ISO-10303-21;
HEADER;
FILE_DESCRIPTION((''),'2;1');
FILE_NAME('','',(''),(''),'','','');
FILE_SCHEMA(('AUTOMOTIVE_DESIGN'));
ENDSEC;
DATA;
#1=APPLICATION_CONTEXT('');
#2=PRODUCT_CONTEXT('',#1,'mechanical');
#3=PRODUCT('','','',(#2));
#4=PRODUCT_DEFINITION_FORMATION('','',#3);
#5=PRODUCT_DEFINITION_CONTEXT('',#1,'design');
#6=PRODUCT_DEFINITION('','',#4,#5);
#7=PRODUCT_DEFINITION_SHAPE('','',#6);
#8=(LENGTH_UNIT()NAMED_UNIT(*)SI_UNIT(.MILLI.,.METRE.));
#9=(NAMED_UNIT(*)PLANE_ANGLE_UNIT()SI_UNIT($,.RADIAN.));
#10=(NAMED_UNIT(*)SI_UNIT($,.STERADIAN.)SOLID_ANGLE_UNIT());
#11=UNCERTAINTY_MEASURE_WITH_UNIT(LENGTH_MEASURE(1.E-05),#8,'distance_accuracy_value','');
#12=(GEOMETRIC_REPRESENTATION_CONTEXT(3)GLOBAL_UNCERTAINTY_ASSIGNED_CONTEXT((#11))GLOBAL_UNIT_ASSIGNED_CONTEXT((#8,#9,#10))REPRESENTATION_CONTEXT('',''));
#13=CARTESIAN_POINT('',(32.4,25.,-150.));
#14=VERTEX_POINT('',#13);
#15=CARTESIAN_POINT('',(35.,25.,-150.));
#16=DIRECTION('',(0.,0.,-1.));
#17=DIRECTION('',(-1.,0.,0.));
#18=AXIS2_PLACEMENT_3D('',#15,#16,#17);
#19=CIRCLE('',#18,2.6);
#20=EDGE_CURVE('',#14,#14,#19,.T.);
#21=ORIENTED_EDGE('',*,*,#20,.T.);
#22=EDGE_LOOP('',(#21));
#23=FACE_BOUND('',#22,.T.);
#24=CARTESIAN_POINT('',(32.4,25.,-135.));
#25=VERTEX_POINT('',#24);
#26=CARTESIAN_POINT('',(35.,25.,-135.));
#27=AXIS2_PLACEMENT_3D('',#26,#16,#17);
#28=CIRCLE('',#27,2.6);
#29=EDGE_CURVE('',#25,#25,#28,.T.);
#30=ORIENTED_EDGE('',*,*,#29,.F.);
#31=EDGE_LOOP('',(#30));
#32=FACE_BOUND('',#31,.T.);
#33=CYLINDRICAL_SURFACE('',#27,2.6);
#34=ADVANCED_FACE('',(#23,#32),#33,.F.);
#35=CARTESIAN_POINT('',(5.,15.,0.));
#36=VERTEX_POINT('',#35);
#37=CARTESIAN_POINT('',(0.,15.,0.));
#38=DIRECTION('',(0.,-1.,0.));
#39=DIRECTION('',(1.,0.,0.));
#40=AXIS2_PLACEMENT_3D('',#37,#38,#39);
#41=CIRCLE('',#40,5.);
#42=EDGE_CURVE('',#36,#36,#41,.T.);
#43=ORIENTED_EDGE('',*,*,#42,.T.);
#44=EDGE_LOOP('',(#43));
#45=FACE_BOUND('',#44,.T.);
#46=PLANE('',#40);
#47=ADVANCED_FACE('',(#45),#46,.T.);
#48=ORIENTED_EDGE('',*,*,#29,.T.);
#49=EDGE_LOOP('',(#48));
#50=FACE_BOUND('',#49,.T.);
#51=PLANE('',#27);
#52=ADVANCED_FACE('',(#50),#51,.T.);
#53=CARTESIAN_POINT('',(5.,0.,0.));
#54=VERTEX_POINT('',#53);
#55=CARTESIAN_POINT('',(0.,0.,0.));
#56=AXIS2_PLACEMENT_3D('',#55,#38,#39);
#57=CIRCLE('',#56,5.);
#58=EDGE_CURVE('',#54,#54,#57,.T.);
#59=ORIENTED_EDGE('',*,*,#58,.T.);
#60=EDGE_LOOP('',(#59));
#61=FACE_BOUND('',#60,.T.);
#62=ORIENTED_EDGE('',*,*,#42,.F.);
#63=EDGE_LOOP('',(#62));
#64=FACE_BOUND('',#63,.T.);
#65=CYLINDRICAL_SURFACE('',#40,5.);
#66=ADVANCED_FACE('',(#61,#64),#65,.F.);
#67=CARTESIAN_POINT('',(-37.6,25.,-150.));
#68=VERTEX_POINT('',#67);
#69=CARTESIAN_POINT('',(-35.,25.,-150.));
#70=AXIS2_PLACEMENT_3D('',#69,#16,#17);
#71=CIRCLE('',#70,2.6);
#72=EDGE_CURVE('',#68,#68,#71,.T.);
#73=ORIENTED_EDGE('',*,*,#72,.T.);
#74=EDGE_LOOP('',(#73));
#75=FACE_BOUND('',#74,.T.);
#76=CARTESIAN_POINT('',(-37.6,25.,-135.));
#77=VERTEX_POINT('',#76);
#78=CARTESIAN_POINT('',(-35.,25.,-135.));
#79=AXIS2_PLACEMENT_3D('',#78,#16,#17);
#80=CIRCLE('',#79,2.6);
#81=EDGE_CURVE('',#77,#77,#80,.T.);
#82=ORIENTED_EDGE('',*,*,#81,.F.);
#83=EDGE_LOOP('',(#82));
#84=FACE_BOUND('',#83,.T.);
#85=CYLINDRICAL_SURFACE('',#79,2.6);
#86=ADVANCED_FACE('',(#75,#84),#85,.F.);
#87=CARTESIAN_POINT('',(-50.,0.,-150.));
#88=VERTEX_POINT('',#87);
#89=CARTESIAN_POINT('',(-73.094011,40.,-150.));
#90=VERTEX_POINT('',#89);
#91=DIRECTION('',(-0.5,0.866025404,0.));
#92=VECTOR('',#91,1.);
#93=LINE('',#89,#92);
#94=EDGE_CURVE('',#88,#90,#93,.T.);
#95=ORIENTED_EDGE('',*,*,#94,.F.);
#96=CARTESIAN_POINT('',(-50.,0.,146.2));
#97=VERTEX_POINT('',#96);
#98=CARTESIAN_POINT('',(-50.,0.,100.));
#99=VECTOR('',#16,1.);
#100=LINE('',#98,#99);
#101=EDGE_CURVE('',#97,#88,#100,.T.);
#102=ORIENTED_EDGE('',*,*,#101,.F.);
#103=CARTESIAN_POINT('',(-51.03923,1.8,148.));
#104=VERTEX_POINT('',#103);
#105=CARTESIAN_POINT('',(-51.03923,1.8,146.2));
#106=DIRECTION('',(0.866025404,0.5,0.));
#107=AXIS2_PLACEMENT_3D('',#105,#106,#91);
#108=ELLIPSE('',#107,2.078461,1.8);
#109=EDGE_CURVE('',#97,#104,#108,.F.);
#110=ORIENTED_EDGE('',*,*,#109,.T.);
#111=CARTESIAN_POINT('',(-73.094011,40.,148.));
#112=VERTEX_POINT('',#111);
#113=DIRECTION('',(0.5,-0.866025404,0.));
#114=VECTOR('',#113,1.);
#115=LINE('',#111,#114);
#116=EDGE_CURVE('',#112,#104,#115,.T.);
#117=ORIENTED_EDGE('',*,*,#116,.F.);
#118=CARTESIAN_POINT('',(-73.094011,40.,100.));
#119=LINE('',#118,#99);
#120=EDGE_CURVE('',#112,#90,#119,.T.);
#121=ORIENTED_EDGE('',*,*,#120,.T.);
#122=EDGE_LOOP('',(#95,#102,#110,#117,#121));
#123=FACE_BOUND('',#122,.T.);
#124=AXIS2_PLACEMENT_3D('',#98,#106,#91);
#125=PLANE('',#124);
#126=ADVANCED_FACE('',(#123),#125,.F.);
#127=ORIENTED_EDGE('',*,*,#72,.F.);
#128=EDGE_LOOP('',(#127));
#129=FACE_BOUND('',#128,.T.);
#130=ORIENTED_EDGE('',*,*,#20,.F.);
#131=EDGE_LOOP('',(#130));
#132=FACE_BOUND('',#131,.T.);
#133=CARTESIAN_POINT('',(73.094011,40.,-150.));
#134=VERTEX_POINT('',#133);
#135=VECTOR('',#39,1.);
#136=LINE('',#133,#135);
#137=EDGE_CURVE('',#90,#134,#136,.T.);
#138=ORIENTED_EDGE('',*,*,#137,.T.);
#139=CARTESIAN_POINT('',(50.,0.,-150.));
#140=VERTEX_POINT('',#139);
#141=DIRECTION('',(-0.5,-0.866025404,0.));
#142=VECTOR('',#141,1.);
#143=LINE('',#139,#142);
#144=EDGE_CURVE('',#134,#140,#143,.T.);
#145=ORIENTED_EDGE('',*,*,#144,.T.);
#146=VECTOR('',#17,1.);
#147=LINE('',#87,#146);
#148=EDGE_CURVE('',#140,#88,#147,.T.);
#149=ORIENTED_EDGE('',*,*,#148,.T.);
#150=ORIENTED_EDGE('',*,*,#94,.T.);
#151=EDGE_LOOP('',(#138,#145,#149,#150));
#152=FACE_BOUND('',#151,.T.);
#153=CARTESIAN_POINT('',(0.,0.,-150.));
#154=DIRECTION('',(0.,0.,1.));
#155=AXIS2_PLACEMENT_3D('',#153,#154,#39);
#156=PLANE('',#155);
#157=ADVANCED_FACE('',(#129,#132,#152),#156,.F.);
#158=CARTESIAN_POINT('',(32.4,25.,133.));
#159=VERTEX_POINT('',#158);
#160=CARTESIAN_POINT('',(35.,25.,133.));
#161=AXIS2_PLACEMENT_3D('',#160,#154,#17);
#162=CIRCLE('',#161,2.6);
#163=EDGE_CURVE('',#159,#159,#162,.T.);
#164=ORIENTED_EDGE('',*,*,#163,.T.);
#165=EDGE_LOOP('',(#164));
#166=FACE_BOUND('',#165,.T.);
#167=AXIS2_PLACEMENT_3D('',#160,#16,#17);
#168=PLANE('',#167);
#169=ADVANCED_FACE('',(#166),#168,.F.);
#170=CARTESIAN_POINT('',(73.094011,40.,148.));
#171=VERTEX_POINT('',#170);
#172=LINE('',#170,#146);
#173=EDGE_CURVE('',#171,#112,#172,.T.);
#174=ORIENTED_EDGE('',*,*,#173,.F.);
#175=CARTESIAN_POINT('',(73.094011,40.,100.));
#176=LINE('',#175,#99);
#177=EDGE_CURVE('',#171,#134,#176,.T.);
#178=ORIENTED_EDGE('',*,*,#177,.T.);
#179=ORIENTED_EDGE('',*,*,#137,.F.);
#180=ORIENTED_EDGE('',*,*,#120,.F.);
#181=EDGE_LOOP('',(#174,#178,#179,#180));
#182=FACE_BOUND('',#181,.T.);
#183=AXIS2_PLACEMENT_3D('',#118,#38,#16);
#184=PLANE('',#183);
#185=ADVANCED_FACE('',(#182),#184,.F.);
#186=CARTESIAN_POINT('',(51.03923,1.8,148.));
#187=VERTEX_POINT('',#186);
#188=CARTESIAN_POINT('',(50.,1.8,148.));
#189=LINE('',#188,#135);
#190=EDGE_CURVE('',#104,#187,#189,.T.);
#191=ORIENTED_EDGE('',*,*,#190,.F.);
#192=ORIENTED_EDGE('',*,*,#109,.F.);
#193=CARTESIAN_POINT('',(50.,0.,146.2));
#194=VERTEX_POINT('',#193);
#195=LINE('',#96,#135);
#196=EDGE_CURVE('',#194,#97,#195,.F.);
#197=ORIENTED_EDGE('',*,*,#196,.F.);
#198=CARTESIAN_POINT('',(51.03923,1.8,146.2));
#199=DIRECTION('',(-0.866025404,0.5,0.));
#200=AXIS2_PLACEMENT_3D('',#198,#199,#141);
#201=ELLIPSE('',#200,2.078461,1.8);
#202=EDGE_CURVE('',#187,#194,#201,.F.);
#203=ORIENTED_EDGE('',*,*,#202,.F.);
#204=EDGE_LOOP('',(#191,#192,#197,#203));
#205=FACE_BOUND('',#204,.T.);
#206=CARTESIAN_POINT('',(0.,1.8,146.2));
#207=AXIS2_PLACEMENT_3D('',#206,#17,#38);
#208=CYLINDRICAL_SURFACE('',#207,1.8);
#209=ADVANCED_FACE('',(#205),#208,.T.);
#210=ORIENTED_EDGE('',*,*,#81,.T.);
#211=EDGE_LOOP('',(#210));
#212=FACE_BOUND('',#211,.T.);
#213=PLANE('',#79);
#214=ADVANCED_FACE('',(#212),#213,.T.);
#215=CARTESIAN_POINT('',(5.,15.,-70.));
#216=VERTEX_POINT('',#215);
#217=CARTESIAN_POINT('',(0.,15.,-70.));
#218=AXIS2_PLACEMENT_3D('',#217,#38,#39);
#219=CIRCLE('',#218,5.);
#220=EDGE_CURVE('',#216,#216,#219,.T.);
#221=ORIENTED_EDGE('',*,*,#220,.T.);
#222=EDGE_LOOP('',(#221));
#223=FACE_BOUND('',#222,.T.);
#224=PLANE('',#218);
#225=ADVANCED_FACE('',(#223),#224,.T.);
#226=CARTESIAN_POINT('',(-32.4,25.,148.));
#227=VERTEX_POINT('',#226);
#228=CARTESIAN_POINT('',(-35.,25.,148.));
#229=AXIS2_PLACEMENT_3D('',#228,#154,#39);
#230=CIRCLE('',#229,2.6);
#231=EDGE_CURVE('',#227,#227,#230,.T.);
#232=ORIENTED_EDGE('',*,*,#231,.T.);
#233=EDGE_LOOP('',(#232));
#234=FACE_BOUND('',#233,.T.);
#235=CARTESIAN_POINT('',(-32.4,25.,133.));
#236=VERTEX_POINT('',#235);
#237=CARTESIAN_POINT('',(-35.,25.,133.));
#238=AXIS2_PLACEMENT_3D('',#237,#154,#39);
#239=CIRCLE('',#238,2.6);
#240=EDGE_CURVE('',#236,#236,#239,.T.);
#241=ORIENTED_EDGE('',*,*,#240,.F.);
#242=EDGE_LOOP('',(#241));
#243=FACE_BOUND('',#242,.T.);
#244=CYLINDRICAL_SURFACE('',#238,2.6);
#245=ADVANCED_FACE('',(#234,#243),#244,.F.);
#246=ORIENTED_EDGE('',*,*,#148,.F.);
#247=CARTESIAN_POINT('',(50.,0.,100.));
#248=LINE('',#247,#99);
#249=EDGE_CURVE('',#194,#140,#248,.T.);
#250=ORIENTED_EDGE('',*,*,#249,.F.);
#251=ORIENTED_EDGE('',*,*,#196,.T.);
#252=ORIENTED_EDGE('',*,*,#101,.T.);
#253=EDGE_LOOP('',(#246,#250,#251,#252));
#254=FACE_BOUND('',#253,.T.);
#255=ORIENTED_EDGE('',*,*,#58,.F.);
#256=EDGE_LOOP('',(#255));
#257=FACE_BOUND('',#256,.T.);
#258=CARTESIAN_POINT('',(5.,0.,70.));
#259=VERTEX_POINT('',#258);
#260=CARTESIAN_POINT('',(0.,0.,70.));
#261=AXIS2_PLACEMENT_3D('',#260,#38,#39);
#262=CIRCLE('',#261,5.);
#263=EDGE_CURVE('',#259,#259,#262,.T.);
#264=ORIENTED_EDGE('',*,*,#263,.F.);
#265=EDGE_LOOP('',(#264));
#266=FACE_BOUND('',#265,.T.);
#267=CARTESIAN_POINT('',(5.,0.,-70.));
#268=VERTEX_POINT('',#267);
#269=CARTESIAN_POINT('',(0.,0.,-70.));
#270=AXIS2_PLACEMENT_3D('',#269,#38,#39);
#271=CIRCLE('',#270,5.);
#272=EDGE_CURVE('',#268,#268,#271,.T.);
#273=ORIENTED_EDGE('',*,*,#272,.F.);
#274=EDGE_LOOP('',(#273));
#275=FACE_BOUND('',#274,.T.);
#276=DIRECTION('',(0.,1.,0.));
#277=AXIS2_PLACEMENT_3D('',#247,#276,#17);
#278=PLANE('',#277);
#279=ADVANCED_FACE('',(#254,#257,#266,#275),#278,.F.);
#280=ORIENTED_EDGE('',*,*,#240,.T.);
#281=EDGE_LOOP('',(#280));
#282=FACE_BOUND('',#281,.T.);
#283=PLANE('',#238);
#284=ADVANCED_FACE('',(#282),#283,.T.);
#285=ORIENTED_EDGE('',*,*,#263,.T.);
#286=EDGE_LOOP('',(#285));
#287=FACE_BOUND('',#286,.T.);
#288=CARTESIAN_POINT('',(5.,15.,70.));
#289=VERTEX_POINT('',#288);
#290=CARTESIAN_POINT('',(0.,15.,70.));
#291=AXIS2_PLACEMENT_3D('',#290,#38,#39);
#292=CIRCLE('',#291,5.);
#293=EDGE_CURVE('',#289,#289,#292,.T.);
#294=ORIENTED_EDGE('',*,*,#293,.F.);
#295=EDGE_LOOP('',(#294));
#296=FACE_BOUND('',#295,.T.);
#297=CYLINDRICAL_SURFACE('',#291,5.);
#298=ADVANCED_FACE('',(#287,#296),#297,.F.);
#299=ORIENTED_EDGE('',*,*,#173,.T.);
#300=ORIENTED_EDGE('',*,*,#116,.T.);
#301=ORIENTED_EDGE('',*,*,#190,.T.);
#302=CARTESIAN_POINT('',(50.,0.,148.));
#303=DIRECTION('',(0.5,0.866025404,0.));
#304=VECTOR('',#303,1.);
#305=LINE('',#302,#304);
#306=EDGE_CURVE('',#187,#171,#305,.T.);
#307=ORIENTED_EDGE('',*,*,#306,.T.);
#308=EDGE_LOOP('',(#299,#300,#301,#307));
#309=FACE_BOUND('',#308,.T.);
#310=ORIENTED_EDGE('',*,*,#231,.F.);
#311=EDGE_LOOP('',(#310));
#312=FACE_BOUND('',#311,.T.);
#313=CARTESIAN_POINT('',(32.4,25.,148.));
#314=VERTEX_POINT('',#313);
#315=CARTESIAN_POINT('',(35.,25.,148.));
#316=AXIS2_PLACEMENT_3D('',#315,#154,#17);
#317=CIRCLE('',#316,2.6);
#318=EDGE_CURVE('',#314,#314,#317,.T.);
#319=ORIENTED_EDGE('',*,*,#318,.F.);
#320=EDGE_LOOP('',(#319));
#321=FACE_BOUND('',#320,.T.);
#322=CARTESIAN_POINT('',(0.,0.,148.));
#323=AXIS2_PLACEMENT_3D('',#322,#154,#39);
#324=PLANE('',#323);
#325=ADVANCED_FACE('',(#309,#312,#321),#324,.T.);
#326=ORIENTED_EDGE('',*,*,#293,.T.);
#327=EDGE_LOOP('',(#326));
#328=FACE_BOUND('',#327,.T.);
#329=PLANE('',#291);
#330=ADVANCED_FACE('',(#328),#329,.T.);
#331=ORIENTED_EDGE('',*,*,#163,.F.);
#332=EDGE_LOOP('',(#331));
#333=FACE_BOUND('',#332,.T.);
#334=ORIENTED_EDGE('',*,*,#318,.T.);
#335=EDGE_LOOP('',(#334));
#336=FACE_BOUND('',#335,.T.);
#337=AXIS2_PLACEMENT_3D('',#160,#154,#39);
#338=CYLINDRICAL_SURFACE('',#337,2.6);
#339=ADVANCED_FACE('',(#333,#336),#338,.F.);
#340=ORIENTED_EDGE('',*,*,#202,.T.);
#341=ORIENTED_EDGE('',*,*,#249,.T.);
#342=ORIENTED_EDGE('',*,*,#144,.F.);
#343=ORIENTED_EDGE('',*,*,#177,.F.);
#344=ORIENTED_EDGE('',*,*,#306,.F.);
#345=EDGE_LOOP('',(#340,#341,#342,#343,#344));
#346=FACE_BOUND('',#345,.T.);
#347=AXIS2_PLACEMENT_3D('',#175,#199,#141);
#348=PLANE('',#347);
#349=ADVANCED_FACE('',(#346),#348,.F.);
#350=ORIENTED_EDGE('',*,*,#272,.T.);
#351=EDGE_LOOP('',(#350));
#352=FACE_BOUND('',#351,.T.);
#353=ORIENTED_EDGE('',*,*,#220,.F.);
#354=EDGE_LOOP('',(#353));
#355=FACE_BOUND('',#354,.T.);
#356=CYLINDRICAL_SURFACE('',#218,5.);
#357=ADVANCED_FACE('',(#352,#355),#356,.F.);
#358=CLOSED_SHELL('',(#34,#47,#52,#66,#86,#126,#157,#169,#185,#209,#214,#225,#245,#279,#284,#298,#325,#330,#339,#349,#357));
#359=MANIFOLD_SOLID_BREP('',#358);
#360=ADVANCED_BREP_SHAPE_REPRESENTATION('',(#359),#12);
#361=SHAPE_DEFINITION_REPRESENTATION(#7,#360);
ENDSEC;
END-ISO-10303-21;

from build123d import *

# Parameters (mm, degrees)
BOSS_EXTRUDE1_DEPTH = 100
SKETCH3_R           = 5
CUT_EXTRUDE2_DEPTH  = 15
BOSS_EXTRUDE5_DEPTH = 50
BOSS_EXTRUDE6_DEPTH = 48
FILLET1_R           = 1.8
SKETCH11_R          = 2.6
CUT_EXTRUDE3_DEPTH  = 15
SKETCH12_R          = 2.6
CUT_EXTRUDE4_DEPTH  = 15


with BuildPart() as part:
    # Sketch1 → Boss-Extrude1 (new body, symmetric)
    with BuildSketch(Plane.XY):
        Polygon((50, 0), (-50, 0), (-73.094010768, 40), (73.094010768, 40), align=None)
    extrude(amount=BOSS_EXTRUDE1_DEPTH, both=True)

    # Sketch3 → Cut-Extrude2 (cut)
    with BuildSketch(Plane.XZ):
        with Locations((0, 70)):
            Circle(SKETCH3_R)
        with Locations((0, -70)):
            Circle(SKETCH3_R)
        Circle(SKETCH3_R)
    extrude(amount=-CUT_EXTRUDE2_DEPTH, mode=Mode.SUBTRACT)

    # Sketch9 → Boss-Extrude5 (add)
    with BuildSketch(Plane(origin=(0, 0, -100), x_dir=(-1, 0, 0), z_dir=(0, 0, -1))):
        Polygon((50, 0), (-50, 0), (-73.094010768, 40), (73.094010768, 40), align=None)
    extrude(amount=BOSS_EXTRUDE5_DEPTH)

    # Sketch10 → Boss-Extrude6 (add)
    with BuildSketch(Plane.XY.offset(100)):
        Polygon((-50, 0), (50, 0), (73.094010768, 40), (-73.094010768, 40), align=None)
    extrude(amount=BOSS_EXTRUDE6_DEPTH)

    # Fillet1
    fillet1_edges = [part.edges().sort_by_distance(p)[0] for p in [
        (0, 0, 148),
    ]]
    fillet(fillet1_edges, radius=FILLET1_R)

    # Sketch11 → Cut-Extrude3 (cut)
    with BuildSketch(Plane.XY.offset(148)):
        with Locations((-35, 25)):
            Circle(SKETCH11_R)
        with Locations((35, 25)):
            Circle(SKETCH11_R)
    extrude(amount=-CUT_EXTRUDE3_DEPTH, mode=Mode.SUBTRACT)

    # Sketch12 → Cut-Extrude4 (cut)
    with BuildSketch(Plane(origin=(0, 0, -150), x_dir=(-1, 0, 0), z_dir=(0, 0, -1))):
        with Locations((-35, 25)):
            Circle(SKETCH12_R)
        with Locations((35, 25)):
            Circle(SKETCH12_R)
    extrude(amount=-CUT_EXTRUDE4_DEPTH, mode=Mode.SUBTRACT)


solid = part.part
